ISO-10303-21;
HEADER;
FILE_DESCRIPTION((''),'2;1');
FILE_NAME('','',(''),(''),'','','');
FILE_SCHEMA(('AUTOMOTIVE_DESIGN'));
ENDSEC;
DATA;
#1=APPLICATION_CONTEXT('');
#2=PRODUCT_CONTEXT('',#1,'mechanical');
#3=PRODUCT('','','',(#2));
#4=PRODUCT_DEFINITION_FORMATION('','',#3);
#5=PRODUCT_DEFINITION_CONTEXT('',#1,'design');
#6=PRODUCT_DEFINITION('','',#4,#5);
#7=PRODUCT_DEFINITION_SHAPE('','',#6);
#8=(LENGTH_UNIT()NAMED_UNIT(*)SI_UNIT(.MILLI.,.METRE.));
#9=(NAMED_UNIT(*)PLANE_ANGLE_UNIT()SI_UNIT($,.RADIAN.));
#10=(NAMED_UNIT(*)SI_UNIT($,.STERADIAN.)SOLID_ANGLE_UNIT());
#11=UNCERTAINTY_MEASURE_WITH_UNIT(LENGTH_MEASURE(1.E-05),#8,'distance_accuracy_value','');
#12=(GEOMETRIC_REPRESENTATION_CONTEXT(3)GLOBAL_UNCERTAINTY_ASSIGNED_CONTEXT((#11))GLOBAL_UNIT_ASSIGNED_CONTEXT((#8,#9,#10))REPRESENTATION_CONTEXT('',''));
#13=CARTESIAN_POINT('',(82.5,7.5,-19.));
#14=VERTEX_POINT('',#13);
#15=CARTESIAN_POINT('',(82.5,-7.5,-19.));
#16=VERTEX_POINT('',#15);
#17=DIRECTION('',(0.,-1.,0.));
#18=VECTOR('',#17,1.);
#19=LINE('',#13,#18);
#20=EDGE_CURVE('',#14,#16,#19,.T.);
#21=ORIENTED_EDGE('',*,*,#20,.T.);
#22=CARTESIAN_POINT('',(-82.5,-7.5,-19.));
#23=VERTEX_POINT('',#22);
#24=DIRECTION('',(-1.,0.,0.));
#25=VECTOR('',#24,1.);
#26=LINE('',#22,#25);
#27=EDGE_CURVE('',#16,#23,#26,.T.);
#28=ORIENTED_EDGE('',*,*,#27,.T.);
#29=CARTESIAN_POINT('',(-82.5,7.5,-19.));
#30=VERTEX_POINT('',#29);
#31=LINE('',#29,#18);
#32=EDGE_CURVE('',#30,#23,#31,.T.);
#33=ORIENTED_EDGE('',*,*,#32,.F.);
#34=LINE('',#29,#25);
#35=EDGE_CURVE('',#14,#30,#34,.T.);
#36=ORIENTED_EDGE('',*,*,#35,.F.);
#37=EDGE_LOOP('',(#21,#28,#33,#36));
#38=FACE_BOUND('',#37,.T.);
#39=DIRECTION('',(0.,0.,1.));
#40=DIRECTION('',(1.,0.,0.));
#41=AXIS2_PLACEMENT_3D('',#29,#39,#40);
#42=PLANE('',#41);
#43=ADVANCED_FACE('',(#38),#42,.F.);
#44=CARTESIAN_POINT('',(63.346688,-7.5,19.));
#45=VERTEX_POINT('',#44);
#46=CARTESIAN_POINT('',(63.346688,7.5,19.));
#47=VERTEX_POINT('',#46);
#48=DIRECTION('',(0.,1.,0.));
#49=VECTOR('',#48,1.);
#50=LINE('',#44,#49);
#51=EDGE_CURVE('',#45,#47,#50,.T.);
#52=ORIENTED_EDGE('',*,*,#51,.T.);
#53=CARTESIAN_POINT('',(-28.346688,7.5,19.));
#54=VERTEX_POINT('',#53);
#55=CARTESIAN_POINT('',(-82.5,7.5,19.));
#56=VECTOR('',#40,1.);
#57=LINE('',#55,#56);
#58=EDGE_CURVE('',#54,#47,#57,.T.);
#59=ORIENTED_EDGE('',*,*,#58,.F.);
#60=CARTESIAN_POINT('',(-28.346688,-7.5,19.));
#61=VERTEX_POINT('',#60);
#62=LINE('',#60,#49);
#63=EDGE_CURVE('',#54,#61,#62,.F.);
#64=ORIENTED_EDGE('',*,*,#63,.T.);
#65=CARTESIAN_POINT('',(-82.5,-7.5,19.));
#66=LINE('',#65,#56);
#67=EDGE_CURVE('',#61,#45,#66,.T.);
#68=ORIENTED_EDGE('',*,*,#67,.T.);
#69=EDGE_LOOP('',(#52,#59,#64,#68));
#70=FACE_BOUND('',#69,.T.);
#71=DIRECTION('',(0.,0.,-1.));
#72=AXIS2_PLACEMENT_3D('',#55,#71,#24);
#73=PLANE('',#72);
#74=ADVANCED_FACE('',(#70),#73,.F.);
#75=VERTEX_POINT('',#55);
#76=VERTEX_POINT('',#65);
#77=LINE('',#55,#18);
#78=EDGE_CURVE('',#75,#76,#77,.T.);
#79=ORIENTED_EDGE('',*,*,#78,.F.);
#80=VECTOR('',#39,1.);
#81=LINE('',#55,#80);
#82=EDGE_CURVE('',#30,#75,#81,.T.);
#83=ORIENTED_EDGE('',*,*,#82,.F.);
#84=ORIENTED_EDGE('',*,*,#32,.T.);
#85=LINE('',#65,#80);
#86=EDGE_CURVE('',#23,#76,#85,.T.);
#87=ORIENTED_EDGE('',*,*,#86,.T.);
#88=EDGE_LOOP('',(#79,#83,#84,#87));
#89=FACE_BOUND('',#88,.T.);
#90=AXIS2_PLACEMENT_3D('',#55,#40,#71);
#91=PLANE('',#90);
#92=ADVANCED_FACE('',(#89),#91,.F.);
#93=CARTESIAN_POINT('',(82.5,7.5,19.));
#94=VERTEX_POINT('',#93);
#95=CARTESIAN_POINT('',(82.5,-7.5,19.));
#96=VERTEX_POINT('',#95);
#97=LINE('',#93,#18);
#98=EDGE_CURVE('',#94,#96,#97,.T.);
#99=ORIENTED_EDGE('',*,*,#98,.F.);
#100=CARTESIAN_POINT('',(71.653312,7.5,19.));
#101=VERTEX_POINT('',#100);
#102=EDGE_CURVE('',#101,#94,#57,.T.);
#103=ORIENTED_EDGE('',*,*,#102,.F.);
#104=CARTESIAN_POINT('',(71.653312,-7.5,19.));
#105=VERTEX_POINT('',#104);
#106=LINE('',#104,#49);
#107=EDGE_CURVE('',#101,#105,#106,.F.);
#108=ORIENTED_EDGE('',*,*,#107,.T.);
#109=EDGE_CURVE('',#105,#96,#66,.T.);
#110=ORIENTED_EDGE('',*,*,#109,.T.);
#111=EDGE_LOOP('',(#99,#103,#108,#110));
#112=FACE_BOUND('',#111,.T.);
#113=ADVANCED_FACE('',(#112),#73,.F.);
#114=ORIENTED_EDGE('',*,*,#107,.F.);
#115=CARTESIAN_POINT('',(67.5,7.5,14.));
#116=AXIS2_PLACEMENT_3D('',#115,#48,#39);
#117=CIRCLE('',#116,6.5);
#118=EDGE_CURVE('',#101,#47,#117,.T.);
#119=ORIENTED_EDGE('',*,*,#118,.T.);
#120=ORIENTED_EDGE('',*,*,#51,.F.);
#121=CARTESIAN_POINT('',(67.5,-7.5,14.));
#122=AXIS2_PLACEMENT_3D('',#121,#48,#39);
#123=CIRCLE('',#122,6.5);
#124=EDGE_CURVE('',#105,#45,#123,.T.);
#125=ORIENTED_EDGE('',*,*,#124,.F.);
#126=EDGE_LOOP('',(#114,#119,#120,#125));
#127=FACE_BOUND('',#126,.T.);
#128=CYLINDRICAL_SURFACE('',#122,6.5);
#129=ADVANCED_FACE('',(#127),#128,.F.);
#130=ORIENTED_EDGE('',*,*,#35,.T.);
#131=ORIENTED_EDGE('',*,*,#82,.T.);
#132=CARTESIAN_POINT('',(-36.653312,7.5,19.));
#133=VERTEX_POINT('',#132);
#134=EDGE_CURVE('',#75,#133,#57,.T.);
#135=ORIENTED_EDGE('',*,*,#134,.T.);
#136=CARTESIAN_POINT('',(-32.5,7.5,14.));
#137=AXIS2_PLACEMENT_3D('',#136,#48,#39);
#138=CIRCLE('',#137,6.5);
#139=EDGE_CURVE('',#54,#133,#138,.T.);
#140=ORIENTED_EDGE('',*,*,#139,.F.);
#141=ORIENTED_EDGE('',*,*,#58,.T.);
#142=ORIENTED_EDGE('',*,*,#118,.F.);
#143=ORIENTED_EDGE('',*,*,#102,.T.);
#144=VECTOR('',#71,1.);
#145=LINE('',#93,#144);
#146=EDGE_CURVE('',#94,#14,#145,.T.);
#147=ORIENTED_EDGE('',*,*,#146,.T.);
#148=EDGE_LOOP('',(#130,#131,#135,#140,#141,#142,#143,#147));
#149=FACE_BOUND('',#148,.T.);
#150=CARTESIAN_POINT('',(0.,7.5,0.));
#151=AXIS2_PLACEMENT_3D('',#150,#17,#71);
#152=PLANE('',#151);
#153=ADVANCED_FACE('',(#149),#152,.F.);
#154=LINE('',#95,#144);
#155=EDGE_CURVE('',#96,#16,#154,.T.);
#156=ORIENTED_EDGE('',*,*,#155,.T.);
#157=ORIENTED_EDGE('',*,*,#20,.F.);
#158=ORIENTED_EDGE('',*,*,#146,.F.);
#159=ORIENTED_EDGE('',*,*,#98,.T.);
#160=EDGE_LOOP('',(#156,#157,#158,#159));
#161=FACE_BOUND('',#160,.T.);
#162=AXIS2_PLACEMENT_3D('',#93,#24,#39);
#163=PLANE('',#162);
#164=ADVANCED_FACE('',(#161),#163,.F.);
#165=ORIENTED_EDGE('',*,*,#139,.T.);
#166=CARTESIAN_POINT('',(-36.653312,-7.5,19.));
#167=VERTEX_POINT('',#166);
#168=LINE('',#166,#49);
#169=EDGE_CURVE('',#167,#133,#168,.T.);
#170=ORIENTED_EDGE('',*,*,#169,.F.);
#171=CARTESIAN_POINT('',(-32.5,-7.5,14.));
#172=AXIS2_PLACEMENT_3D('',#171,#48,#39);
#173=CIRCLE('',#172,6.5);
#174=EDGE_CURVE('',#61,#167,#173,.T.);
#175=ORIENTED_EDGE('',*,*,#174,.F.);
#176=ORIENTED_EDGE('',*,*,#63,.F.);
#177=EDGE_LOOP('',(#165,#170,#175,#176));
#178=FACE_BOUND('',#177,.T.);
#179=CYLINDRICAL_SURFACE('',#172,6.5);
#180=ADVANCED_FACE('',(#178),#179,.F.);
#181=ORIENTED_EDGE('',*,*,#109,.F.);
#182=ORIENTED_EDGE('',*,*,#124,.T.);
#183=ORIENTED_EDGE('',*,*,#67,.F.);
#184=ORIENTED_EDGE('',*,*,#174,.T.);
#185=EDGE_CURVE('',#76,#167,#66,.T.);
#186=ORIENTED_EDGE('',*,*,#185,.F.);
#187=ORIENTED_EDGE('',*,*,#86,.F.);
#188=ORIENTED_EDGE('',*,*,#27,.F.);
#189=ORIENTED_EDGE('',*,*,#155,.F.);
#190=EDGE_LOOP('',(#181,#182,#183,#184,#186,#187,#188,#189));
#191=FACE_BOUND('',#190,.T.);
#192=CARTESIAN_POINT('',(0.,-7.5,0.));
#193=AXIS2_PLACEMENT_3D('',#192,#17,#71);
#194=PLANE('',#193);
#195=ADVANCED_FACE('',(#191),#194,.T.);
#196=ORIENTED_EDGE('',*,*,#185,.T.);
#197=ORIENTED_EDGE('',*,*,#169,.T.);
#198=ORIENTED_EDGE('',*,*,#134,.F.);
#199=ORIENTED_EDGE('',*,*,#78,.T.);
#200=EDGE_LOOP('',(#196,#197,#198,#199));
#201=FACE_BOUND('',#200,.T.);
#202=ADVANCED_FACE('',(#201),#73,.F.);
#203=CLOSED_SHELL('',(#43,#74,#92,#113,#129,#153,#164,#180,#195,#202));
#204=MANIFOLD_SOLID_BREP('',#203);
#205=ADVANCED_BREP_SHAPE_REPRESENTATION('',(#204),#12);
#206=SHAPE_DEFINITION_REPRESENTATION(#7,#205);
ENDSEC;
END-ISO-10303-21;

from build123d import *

# Parameters (mm, degrees)
SKETCH1_W           = 165
SKETCH1_H           = 38
BOSS_EXTRUDE1_DEPTH = 7.5
SKETCH2_R           = 6.5
CUT_EXTRUDE1_DEPTH  = 86.97819491


with BuildPart() as part:
    # Sketch1 → Boss-Extrude1 (new, symmetric)
    with BuildSketch(Plane(origin=(0, 0, 0), x_dir=(1, 0, 0), z_dir=(0, 1, 0))):
        Rectangle(SKETCH1_W, SKETCH1_H)
    extrude(amount=BOSS_EXTRUDE1_DEPTH, both=True)

    # Sketch2 → Cut-Extrude1 (cut, through all)
    with BuildSketch(Plane(origin=(0, 7.5, 0), x_dir=(1, 0, 0), z_dir=(0, 1, 0))):
        with Locations((67.5, -14)):
            Circle(SKETCH2_R)
        with Locations((-32.5, -14)):
            Circle(SKETCH2_R)
    extrude(amount=-CUT_EXTRUDE1_DEPTH, mode=Mode.SUBTRACT)


solid = part.part
